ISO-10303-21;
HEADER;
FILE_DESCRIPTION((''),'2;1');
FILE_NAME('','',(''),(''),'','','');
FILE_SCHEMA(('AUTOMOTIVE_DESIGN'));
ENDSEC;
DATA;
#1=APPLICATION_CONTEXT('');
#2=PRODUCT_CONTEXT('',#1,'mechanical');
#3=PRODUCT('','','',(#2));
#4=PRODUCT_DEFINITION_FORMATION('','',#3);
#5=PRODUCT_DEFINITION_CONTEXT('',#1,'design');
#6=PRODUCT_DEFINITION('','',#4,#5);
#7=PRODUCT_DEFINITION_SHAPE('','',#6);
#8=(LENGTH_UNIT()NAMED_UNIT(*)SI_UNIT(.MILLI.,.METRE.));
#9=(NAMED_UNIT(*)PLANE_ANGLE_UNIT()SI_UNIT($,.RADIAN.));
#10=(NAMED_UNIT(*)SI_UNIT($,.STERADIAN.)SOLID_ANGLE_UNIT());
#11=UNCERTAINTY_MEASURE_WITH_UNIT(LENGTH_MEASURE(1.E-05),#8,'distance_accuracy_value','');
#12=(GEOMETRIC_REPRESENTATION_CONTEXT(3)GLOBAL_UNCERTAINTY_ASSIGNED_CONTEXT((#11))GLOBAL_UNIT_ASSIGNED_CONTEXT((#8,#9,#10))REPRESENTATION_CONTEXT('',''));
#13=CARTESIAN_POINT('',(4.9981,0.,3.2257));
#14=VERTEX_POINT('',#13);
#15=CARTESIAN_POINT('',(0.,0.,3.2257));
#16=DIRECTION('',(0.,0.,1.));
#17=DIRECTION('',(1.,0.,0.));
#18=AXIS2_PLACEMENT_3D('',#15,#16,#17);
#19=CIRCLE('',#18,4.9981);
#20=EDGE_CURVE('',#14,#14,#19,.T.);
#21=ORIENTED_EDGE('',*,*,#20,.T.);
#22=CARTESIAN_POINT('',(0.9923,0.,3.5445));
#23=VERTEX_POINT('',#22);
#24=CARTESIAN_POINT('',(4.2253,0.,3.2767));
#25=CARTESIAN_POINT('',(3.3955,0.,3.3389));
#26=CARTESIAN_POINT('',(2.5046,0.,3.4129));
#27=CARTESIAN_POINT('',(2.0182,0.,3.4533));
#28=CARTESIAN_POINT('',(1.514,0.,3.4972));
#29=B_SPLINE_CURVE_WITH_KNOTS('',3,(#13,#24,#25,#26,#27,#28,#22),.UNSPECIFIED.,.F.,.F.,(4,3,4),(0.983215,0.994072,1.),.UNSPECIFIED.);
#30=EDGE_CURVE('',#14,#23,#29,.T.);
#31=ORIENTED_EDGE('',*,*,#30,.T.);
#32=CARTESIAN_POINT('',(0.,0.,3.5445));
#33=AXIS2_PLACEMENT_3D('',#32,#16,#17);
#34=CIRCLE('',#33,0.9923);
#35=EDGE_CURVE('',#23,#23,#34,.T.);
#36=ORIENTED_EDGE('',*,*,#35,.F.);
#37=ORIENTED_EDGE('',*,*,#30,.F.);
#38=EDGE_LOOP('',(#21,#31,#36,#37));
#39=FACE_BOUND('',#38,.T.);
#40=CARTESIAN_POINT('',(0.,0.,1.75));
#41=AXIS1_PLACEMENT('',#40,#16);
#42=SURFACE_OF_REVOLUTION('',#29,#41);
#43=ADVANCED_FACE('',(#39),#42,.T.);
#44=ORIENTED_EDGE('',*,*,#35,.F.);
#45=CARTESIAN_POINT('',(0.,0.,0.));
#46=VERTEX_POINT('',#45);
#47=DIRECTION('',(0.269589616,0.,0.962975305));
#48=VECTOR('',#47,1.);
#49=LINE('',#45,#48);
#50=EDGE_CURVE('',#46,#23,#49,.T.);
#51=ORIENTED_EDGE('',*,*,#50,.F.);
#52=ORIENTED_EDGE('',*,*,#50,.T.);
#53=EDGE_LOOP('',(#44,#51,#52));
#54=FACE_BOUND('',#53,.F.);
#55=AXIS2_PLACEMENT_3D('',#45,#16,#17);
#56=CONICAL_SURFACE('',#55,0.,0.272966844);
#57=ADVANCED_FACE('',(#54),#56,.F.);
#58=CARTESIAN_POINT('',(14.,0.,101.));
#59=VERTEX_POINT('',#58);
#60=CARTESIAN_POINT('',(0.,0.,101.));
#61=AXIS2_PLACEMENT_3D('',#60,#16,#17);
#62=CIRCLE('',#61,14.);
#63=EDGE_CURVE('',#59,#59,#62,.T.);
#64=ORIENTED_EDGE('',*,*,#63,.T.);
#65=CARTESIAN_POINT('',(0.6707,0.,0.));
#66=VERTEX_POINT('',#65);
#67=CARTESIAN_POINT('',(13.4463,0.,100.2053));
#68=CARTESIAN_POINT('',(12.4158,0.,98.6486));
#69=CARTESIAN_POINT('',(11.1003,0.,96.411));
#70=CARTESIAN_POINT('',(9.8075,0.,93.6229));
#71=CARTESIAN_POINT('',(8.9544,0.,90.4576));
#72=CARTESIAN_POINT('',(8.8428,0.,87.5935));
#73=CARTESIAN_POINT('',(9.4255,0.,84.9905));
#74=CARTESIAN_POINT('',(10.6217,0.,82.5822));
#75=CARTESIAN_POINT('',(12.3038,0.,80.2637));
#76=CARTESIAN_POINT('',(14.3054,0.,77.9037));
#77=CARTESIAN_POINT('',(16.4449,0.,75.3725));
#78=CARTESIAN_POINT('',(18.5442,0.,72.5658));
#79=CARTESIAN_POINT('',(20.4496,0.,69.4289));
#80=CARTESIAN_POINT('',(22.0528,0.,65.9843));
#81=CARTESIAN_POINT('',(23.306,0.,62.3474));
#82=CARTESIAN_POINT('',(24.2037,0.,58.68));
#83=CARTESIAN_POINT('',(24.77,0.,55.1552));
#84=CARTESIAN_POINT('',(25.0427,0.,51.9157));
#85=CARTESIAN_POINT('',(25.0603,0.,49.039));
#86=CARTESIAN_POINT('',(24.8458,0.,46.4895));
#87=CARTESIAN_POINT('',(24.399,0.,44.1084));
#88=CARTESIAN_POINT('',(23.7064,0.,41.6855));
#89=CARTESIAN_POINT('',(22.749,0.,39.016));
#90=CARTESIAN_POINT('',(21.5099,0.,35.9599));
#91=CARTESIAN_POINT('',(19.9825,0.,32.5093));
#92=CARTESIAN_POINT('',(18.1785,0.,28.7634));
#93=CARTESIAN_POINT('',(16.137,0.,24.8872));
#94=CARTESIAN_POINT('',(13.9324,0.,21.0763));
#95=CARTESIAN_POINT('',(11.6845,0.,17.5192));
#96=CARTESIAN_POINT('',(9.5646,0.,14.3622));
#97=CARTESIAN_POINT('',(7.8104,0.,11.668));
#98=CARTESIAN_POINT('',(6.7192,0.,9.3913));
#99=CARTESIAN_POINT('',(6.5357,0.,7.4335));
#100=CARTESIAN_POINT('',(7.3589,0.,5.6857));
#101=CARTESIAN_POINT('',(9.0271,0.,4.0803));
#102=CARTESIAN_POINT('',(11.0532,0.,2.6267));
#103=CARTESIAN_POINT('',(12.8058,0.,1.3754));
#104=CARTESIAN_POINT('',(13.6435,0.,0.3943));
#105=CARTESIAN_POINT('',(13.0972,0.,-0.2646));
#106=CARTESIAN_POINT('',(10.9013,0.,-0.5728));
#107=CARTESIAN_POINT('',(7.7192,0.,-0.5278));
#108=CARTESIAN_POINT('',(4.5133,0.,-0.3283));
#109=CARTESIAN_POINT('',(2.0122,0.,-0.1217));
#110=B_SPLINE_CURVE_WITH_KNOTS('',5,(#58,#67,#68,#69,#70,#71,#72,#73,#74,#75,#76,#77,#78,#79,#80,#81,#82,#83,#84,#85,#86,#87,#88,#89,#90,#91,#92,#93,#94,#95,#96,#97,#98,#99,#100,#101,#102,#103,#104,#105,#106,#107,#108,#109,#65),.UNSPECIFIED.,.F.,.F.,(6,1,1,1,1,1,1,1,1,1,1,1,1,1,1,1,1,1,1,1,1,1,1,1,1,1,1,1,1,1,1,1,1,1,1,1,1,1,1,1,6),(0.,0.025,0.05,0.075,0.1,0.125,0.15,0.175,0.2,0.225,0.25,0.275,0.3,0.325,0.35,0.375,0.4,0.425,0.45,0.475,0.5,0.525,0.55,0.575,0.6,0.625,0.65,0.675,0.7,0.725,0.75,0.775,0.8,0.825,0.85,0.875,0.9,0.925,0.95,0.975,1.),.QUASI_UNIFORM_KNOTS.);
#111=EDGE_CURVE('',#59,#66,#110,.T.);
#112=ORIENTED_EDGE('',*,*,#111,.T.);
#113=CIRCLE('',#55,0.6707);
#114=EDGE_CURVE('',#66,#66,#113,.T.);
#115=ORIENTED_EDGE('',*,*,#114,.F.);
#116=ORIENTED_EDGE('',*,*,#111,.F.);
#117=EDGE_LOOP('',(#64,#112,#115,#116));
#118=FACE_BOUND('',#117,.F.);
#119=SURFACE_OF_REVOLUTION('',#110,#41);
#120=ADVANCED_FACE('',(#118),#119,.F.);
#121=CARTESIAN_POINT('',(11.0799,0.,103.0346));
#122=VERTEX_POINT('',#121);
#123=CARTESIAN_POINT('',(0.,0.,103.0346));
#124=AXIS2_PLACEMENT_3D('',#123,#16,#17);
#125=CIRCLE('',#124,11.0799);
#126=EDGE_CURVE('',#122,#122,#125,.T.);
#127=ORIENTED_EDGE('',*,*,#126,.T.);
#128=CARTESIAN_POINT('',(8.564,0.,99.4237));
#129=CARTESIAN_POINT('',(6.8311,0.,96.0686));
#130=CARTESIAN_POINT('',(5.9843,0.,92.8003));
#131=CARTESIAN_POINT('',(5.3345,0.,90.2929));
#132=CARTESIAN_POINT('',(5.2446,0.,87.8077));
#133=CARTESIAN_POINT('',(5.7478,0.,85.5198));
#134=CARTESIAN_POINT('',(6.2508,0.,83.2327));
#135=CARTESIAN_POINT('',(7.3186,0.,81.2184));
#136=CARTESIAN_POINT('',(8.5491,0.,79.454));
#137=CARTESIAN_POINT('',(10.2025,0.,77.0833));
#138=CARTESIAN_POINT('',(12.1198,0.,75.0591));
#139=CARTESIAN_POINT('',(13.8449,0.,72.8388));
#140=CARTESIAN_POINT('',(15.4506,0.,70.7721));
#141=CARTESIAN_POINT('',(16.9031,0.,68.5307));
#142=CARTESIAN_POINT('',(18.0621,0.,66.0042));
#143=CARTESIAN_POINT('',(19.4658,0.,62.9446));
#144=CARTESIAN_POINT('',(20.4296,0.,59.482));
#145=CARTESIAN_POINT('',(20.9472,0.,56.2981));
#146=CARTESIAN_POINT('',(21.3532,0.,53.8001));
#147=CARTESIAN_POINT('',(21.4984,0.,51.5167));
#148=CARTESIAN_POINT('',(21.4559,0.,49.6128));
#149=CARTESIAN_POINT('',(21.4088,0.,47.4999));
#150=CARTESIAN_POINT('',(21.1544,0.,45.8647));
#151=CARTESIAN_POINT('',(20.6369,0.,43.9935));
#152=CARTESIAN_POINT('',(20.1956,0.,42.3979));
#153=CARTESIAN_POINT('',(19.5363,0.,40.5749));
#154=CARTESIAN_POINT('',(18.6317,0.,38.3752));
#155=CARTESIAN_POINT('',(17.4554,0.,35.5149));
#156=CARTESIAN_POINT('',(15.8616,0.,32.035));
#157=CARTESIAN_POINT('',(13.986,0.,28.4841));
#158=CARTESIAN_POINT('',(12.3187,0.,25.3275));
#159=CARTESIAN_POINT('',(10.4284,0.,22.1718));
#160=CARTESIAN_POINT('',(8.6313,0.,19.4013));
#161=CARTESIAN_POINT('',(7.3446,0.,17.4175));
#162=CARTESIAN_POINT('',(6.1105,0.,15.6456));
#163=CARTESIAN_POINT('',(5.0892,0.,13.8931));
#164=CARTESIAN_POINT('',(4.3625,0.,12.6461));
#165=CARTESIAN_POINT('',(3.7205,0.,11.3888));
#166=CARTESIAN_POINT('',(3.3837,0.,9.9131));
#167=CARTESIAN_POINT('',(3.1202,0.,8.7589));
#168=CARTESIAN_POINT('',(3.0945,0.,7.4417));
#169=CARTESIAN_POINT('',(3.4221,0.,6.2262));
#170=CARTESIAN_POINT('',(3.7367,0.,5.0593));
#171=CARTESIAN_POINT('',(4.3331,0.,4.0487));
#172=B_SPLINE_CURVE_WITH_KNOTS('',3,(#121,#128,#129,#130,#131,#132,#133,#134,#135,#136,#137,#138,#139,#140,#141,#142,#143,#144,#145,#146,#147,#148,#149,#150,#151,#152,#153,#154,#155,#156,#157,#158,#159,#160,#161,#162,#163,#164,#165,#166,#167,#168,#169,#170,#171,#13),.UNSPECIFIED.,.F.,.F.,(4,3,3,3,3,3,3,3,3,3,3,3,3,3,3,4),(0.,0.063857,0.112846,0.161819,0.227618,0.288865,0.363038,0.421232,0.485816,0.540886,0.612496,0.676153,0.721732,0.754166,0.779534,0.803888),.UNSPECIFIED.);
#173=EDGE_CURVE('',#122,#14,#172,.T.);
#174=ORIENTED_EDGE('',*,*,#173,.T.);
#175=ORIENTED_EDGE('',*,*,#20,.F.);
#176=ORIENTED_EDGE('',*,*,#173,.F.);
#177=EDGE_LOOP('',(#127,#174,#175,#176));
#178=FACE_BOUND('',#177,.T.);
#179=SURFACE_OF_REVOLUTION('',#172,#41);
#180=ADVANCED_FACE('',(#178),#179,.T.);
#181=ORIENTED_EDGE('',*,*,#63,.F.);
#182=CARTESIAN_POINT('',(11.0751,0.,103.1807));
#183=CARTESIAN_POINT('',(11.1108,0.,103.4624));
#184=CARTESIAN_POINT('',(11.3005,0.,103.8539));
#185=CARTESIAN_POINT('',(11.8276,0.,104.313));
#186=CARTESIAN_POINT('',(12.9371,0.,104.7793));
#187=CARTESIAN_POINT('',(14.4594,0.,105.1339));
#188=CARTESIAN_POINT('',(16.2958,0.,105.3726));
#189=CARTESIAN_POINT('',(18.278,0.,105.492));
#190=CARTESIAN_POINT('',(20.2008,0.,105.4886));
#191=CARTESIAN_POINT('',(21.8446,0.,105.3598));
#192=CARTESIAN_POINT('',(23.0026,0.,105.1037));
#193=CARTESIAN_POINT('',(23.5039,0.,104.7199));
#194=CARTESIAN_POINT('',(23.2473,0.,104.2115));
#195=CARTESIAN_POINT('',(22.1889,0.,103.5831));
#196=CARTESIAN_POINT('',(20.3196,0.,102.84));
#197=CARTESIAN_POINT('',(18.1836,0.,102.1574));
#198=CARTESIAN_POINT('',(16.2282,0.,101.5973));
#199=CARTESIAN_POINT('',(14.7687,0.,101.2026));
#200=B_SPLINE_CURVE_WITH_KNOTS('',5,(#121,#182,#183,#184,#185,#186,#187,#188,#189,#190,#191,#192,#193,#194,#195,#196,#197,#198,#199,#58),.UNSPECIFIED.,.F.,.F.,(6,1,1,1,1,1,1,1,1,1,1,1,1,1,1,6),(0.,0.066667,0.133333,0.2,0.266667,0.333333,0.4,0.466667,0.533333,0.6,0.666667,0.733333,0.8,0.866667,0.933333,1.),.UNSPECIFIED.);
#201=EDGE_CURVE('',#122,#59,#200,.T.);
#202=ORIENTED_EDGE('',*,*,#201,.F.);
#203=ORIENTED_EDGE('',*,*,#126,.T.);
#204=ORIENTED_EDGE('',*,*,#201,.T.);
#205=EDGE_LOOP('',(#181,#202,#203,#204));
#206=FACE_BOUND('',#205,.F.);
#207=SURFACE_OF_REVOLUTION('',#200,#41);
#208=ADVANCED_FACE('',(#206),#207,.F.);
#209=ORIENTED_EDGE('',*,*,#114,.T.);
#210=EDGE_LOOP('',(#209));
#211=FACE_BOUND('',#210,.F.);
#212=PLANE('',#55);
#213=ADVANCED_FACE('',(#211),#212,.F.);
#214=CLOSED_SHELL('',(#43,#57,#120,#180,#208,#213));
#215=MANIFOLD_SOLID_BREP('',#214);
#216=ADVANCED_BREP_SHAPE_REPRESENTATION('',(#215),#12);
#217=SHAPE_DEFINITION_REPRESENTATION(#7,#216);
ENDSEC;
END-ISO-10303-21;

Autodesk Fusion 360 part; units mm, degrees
sketch "Sketch1" plane through (0, 0, 0) normal (0, 1, 0) x (1, 0, 0)
  spline S0 degree 5 poles (14, -101) (13.4463, -100.2053) (12.4158, -98.6486) (11.1003, -96.411) (9.8075, -93.6229) (8.9544, -90.4576) (8.8428, -87.5935) (9.4255, -84.9905) (10.6217, -82.5822) (12.3038, -80.2637) (14.3054, -77.9037) (16.4449, -75.3725) (18.5442, -72.5658) (20.4496, -69.4289) (22.0528, -65.9843) (23.306, -62.3474) (24.2037, -58.68) (24.77, -55.1552) (25.0427, -51.9157) (25.0603, -49.039) (24.8458, -46.4895) (24.399, -44.1084) (23.7064, -41.6855) (22.749, -39.016) (21.5099, -35.9599) (19.9825, -32.5093) (18.1785, -28.7634) (16.137, -24.8872) (13.9324, -21.0763) (11.6845, -17.5192) (9.5646, -14.3622) (7.8104, -11.668) (6.7192, -9.3913) (6.5357, -7.4335) (7.3589, -5.6857) (9.0271, -4.0803) (11.0532, -2.6267) (12.8058, -1.3754) (13.6435, -0.3943) (13.0972, 0.2646) (10.9013, 0.5728) (7.7192, 0.5278) (4.5133, 0.3283) (2.0122, 0.1217) (0.6707, 0) knots 0 0 0 0 0 0 0.025 0.05 0.075 0.1 0.125 0.15 0.175 0.2 0.225 0.25 0.275 0.3 0.325 0.35 0.375 0.4 0.425 0.45 0.475 0.5 0.525 0.55 0.575 0.6 0.625 0.65 0.675 0.7 0.725 0.75 0.775 0.8 0.825 0.85 0.875 0.9 0.925 0.95 0.975 1 1 1 1 1 1
  spline S1 degree 5 poles (11.0799, -103.0346) (11.0751, -103.1807) (11.1108, -103.4624) (11.3005, -103.8539) (11.8276, -104.313) (12.9371, -104.7793) (14.4594, -105.1339) (16.2958, -105.3726) (18.278, -105.492) (20.2008, -105.4886) (21.8446, -105.3598) (23.0026, -105.1037) (23.5039, -104.7199) (23.2473, -104.2115) (22.1889, -103.5831) (20.3196, -102.84) (18.1836, -102.1574) (16.2282, -101.5973) (14.7687, -101.2026) (14, -101) knots 0 0 0 0 0 0 0.066667 0.133333 0.2 0.266667 0.333333 0.4 0.466667 0.533333 0.6 0.666667 0.733333 0.8 0.866667 0.933333 1 1 1 1 1 1
  line L0 (0.6707, 0) -> (0, 0)
  line L1 (0, 0) -> (0.9923, -3.5445)
  spline S2 degree 3 poles (11.0799, -103.0346) (8.564, -99.4237) (6.8311, -96.0686) (5.9843, -92.8003) (5.3345, -90.2929) (5.2446, -87.8077) (5.7478, -85.5198) (6.2508, -83.2327) (7.3186, -81.2184) (8.5491, -79.454) (10.2025, -77.0833) (12.1198, -75.0591) (13.8449, -72.8388) (15.4506, -70.7721) (16.9031, -68.5307) (18.0621, -66.0042) (19.4658, -62.9446) (20.4296, -59.482) (20.9472, -56.2981) (21.3532, -53.8001) (21.4984, -51.5167) (21.4559, -49.6128) (21.4088, -47.4999) (21.1544, -45.8647) (20.6369, -43.9935) (20.1956, -42.3979) (19.5363, -40.5749) (18.6317, -38.3752) (17.4554, -35.5149) (15.8616, -32.035) (13.986, -28.4841) (12.3187, -25.3275) (10.4284, -22.1718) (8.6313, -19.4013) (7.3446, -17.4175) (6.1105, -15.6456) (5.0892, -13.8931) (4.3625, -12.6461) (3.7205, -11.3888) (3.3837, -9.9131) (3.1202, -8.7589) (3.0945, -7.4417) (3.4221, -6.2262) (3.7367, -5.0593) (4.3331, -4.0487) (4.9981, -3.2257) knots 0 0 0 0 0.063857 0.063857 0.063857 0.112846 0.112846 0.112846 0.161819 0.161819 0.161819 0.227618 0.227618 0.227618 0.288865 0.288865 0.288865 0.363038 0.363038 0.363038 0.421232 0.421232 0.421232 0.485816 0.485816 0.485816 0.540886 0.540886 0.540886 0.612496 0.612496 0.612496 0.676153 0.676153 0.676153 0.721732 0.721732 0.721732 0.754166 0.754166 0.754166 0.779534 0.779534 0.779534 0.803888 0.803888 0.803888 0.803888
  spline S3 degree 3 poles (4.9981, -3.2257) (4.2253, -3.2767) (3.3955, -3.3389) (2.5046, -3.4129) (2.0182, -3.4533) (1.514, -3.4972) (0.9923, -3.5445) knots 0.983215 0.983215 0.983215 0.983215 0.994072 0.994072 0.994072 1 1 1 1
  point P0 (10, -84)
  point P1 (25.021, -49.999)
  point P2 (7.3557, -6.0354)
  point P3 (14, -105)
  point P4 (23, -105)
  point P5 (10, -15)
  point P6 (22.5077, -38.4786)
  point P7 (20.0219, -69.9992)
  point P8 (13.019, -0.9995)
  dimension "d1" = -3.559
revolve "Revolve1" add sketch "Sketch1" angle 360 about axis through (0, 0, 1.75) along (0, 0, 1)
